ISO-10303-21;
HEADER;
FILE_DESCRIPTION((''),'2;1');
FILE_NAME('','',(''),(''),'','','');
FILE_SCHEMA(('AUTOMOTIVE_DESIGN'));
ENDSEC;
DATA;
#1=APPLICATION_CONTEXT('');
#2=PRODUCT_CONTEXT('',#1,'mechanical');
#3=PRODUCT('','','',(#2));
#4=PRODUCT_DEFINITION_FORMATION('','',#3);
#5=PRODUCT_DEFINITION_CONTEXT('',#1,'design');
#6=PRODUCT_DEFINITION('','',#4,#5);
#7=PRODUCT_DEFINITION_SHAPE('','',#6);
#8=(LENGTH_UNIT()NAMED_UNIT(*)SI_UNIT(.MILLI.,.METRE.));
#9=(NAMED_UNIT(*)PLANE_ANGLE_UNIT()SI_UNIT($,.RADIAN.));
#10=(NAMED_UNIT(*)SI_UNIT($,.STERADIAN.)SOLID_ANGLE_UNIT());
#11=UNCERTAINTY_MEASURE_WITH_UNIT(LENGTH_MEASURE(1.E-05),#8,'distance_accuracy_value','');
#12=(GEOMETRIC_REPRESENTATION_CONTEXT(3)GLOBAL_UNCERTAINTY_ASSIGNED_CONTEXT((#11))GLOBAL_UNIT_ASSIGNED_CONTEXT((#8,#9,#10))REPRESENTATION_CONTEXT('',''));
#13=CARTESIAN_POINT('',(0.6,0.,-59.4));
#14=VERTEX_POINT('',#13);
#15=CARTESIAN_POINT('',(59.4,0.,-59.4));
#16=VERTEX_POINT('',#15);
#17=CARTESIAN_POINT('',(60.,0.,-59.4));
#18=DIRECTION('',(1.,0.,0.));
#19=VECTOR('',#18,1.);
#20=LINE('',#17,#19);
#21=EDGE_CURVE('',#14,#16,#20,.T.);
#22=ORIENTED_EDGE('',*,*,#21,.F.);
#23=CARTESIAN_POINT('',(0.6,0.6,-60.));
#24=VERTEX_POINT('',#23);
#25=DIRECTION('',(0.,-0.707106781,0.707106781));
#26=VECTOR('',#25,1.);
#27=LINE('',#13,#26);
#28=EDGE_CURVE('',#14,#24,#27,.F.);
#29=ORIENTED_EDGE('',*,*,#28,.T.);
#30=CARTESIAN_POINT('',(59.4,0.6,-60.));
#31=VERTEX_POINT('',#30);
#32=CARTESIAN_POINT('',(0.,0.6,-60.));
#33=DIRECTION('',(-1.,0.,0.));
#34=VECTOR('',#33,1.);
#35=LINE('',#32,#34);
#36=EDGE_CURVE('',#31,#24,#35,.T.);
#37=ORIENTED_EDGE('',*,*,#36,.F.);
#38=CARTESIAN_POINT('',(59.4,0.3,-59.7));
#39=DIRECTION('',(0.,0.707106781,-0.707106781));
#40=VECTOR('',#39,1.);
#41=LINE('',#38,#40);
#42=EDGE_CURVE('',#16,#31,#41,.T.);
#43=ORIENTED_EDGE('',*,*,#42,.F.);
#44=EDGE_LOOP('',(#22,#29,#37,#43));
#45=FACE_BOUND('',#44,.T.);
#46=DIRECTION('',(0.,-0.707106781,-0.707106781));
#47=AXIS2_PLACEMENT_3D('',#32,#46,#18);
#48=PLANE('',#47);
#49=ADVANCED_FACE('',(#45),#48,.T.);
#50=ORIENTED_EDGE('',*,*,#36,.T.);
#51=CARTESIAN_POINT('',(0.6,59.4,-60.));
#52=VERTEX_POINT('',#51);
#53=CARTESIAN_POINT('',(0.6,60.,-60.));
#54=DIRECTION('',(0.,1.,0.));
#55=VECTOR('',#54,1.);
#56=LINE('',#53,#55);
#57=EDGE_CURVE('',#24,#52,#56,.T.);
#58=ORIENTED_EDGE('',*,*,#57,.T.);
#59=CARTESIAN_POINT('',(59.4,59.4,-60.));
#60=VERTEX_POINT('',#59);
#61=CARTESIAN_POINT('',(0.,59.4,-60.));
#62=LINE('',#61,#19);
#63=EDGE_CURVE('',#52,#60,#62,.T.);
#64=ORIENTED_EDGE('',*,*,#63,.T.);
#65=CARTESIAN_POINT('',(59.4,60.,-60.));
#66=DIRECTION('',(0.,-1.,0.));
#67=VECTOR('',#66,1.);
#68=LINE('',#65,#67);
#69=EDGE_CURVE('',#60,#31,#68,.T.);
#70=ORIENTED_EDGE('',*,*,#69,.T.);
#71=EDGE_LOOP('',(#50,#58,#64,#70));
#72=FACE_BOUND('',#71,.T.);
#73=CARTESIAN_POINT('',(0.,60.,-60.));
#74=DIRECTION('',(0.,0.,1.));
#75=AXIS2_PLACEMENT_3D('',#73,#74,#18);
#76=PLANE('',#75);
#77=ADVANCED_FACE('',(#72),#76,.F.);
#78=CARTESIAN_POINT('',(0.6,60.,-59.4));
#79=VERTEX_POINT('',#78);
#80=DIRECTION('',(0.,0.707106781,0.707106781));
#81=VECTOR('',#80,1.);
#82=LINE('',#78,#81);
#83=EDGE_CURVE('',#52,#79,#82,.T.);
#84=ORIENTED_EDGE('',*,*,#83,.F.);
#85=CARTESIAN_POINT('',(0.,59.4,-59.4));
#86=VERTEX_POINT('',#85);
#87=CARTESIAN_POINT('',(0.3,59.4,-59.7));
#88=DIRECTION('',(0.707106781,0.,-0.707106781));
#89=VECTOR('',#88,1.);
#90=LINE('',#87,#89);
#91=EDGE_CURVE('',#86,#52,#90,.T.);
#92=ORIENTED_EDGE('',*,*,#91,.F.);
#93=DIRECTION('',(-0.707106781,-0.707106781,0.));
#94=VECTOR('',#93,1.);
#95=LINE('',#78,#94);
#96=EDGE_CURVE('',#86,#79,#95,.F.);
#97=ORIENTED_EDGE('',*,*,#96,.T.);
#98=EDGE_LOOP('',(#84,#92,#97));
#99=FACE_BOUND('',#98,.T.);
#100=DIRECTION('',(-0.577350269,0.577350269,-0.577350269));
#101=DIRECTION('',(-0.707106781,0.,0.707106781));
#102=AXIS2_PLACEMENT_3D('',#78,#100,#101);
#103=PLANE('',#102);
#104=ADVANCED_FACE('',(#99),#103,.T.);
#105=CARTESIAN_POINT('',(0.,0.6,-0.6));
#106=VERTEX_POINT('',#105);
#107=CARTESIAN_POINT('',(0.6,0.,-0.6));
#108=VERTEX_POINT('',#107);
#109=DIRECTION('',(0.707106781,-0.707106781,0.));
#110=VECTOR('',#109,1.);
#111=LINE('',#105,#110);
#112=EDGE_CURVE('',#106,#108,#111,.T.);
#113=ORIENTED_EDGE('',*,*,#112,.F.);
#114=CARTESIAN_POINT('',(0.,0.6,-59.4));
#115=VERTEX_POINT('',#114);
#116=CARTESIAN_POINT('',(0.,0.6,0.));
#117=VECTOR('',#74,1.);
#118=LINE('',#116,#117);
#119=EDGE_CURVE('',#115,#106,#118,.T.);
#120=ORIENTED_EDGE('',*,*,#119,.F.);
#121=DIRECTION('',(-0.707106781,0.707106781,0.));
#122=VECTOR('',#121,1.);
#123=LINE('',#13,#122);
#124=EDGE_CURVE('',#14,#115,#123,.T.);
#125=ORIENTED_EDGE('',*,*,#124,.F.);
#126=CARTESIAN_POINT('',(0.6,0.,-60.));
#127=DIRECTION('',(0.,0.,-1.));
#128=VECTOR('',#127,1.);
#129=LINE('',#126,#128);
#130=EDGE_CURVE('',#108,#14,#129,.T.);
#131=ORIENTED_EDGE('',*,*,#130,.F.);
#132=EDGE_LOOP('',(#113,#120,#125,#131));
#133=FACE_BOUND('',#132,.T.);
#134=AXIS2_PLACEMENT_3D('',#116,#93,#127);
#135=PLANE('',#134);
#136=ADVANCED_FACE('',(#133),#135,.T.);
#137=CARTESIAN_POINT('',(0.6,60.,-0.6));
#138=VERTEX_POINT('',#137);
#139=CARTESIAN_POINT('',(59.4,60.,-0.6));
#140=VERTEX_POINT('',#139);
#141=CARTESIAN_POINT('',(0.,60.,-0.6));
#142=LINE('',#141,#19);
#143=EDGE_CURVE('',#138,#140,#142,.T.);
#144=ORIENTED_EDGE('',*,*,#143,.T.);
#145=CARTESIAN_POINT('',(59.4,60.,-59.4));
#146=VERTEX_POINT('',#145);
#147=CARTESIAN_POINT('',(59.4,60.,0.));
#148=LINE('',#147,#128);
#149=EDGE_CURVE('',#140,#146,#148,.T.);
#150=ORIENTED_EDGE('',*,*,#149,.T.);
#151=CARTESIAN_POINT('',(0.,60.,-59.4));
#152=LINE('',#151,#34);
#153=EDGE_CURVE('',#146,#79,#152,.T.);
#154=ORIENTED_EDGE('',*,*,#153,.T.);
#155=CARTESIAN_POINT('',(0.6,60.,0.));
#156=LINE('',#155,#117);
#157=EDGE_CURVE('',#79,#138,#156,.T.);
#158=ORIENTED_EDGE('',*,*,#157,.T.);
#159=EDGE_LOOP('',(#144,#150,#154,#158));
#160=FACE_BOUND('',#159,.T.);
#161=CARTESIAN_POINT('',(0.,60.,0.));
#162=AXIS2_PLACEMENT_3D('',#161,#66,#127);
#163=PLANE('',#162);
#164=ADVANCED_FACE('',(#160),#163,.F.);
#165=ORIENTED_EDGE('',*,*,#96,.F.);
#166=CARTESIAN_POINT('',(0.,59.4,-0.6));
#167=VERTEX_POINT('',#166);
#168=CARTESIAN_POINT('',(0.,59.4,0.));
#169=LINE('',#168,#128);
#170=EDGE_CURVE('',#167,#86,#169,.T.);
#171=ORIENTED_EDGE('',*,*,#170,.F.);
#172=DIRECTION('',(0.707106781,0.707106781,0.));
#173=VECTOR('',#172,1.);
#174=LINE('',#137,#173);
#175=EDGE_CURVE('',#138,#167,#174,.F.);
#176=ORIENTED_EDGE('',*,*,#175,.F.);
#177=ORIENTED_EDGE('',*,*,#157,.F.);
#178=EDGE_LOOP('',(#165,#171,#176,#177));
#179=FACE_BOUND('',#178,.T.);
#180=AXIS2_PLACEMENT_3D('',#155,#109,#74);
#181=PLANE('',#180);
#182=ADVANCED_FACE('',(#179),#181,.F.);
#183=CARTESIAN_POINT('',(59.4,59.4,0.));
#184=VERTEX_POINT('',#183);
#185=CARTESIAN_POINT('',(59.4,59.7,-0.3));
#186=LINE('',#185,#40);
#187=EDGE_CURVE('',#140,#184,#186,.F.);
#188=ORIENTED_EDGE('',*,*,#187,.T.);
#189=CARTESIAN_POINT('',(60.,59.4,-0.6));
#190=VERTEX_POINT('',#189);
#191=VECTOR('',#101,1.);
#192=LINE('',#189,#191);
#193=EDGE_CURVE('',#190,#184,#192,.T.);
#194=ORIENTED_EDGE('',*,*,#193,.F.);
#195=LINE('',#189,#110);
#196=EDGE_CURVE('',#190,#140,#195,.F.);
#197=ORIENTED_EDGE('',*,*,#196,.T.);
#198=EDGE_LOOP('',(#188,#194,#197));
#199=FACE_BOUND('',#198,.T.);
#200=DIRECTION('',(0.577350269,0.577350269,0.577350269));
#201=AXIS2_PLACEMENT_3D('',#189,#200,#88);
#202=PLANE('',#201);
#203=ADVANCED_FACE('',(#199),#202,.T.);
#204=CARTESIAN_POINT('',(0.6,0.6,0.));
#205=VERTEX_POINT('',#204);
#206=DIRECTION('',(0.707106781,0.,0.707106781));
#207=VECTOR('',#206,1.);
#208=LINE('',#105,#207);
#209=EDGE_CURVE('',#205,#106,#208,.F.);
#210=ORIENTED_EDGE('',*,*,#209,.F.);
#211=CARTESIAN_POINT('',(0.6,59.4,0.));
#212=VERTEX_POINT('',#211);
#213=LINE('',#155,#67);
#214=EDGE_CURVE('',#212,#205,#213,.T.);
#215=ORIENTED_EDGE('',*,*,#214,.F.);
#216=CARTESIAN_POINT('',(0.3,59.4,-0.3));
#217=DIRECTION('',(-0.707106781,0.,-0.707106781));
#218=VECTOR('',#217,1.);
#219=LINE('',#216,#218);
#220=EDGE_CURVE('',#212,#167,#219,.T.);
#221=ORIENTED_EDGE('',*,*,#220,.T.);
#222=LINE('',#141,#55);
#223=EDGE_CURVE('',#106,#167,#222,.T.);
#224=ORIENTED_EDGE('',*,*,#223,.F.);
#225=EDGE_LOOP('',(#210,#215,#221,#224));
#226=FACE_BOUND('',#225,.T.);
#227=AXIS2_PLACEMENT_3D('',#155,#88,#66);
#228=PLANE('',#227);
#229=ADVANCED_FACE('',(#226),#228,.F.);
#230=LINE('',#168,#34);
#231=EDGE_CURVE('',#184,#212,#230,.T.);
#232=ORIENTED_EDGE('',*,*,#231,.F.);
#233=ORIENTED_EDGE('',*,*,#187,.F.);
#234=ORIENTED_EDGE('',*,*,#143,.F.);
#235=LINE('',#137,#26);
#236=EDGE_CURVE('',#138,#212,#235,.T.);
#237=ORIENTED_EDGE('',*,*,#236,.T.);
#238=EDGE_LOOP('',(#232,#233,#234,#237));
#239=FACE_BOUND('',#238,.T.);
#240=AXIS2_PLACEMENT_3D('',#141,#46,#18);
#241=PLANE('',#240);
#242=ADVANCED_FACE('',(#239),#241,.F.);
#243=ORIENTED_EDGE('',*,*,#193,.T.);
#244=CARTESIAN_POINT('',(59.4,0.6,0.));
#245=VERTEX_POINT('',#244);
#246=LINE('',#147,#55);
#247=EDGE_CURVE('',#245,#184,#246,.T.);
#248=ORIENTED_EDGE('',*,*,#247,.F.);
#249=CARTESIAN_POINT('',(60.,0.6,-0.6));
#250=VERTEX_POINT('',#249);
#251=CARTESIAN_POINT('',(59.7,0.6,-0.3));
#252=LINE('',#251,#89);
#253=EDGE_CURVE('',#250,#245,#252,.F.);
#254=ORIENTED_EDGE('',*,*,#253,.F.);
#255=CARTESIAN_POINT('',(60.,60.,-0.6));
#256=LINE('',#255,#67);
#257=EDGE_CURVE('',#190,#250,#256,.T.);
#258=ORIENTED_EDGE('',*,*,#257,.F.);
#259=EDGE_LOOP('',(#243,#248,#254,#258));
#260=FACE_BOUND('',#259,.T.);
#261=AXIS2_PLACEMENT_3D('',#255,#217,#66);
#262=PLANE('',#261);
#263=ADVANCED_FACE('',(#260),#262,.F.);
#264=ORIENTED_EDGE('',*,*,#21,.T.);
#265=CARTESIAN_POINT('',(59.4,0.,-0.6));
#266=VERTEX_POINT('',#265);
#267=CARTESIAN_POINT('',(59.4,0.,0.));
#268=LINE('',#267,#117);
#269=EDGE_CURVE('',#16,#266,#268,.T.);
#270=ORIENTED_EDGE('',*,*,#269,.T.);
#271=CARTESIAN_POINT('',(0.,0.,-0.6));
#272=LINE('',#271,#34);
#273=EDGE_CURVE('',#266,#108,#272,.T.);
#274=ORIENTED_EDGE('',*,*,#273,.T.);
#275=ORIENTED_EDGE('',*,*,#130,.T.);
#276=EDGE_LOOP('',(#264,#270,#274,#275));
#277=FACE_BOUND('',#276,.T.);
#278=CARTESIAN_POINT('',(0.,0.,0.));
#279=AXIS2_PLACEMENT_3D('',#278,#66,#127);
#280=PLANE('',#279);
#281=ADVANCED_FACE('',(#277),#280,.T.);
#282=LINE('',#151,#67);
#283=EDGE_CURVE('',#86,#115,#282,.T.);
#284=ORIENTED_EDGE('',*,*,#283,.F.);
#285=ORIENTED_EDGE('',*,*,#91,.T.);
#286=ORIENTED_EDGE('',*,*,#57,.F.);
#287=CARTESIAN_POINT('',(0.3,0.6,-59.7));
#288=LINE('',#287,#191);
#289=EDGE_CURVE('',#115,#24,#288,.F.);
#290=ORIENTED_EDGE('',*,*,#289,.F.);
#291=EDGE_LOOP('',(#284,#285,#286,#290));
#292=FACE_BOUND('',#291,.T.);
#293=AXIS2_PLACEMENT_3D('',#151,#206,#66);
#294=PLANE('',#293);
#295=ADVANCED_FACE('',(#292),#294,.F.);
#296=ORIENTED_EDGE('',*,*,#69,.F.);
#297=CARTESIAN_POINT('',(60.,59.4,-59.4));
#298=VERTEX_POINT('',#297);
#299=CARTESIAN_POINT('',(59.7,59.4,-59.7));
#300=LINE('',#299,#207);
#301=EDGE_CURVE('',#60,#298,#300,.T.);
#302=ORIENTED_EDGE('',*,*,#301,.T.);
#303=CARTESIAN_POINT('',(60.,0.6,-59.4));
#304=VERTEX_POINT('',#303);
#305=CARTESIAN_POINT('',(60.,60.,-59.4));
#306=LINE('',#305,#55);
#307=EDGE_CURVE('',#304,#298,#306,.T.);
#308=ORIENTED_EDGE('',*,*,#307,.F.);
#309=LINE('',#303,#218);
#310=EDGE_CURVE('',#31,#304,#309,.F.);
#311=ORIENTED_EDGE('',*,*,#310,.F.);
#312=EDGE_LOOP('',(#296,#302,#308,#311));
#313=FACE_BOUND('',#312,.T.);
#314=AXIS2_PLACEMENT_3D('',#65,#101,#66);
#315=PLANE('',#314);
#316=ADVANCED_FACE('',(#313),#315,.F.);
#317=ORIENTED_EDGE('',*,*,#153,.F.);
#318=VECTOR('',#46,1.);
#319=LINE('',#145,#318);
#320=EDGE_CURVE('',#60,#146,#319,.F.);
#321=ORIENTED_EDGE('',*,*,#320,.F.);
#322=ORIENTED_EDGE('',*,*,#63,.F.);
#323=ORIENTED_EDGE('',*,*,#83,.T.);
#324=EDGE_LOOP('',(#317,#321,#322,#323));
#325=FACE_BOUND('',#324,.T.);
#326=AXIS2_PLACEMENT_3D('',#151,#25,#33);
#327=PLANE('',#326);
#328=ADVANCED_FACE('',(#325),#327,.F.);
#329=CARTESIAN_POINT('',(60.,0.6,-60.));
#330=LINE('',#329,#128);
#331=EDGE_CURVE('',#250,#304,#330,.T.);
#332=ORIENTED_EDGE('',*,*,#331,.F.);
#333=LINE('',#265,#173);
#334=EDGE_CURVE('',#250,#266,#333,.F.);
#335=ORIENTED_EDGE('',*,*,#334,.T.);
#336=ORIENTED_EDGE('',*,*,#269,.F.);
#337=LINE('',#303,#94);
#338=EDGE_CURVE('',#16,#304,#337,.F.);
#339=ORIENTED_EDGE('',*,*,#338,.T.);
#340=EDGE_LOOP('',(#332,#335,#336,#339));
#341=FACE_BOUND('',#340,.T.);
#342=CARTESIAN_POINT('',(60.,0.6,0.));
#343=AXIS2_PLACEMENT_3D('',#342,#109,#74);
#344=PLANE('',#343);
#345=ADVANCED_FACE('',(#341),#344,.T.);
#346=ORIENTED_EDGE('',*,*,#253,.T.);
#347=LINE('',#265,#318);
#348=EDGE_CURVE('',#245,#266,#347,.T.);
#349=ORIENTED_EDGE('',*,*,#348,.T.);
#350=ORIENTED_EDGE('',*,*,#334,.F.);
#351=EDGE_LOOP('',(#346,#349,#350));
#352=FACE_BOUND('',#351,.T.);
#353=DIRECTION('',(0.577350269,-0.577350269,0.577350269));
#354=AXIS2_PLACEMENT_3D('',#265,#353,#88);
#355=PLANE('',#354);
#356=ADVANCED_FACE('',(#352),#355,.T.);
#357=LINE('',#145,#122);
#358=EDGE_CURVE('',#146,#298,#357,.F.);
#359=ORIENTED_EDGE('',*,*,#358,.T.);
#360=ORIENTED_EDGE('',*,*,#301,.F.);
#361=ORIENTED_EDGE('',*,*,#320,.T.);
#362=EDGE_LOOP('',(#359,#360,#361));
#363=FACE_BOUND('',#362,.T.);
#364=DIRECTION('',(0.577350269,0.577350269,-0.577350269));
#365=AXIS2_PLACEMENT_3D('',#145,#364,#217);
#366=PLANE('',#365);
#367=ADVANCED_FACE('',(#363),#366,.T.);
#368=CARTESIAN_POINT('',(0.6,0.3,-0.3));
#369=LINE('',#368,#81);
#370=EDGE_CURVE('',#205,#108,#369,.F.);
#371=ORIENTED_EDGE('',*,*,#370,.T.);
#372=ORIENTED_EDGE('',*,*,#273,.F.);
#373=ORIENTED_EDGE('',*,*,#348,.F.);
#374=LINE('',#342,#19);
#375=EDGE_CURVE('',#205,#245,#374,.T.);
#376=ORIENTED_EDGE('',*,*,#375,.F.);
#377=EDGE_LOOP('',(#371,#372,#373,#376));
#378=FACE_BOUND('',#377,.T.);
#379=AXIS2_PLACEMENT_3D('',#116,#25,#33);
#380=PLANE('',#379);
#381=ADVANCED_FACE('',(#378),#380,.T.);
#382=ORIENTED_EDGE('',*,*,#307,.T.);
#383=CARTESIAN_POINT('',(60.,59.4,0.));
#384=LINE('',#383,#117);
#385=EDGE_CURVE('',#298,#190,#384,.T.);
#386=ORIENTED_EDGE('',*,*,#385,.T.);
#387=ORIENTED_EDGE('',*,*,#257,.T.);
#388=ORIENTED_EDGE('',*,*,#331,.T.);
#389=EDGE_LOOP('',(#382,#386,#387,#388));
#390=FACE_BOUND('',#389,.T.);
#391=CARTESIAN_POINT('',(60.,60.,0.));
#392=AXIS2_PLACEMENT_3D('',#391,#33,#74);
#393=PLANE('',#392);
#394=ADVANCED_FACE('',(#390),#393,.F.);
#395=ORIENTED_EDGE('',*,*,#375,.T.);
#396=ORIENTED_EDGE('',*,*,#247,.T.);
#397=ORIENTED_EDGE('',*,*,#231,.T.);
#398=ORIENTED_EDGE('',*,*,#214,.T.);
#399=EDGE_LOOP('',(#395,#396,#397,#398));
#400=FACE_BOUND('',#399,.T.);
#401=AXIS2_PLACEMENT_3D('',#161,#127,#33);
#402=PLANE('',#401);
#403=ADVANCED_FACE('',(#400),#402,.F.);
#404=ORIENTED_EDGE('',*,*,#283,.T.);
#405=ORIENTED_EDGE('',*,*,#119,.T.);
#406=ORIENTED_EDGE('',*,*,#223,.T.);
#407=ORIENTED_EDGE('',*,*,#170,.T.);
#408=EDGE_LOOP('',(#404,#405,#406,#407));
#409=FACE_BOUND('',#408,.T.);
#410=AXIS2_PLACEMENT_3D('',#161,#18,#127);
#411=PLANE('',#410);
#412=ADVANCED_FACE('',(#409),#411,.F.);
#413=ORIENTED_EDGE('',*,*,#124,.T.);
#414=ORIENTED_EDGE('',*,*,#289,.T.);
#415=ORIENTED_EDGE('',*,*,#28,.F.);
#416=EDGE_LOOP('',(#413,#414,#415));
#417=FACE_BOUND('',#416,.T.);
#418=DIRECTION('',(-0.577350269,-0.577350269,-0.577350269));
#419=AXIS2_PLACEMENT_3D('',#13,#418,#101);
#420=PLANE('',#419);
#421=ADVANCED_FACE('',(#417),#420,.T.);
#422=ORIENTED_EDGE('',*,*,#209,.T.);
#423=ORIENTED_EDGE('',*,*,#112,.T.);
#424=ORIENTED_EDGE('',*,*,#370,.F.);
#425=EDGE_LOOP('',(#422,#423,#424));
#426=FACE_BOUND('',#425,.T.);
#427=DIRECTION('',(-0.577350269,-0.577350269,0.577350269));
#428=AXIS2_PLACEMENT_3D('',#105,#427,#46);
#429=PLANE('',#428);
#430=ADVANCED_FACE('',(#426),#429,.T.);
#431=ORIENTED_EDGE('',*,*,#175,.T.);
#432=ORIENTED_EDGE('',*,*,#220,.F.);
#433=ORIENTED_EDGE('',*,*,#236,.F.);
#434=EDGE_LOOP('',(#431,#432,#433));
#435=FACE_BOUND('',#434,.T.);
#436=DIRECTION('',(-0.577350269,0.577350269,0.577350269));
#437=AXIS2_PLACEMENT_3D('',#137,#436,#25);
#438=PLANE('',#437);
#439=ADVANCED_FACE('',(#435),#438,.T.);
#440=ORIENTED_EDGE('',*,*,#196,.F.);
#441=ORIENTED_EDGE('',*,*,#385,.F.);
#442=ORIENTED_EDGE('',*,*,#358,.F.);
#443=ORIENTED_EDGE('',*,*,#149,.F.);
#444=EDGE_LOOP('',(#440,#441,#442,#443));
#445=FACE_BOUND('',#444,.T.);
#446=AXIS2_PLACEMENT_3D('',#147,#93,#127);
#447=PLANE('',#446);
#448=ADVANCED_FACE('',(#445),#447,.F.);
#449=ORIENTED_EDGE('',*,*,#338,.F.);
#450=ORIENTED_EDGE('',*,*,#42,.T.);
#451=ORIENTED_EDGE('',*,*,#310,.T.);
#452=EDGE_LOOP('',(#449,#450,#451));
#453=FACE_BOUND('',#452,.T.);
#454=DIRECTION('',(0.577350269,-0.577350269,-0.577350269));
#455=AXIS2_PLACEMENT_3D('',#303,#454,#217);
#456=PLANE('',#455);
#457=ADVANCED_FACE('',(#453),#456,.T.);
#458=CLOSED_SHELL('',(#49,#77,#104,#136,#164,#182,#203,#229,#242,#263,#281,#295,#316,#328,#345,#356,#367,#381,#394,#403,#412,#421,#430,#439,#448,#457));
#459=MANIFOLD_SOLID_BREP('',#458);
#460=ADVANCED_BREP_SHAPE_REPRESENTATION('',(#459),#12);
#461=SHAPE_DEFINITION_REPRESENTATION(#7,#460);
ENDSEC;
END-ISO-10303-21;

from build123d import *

# Parameters (mm, degrees)
SKETCH1_W           = 60
SKETCH1_H           = 60
BOSS_EXTRUDE1_DEPTH = 60
CHAMFER1_SIZE       = 0.6


with BuildPart() as part:
    # Sketch1 → Boss-Extrude1 (new body)
    with BuildSketch(Plane(origin=(0, 0, 0), x_dir=(1, 0, 0), z_dir=(0, 1, 0))):
        with Locations((30, 30)):
            Rectangle(SKETCH1_W, SKETCH1_H)
    extrude(amount=BOSS_EXTRUDE1_DEPTH)

    # Chamfer1
    chamfer1_edges = [part.edges().sort_by_distance(p)[0] for p in [
        (60, 60, -30),
        (30, 60, -60),
        (0, 60, -30),
        (30, 0, -60),
        (60, 0, -30),
        (30, 0, 0),
        (0, 0, -30),
        (0, 30, -60),
        (60, 30, -60),
        (60, 30, 0),
        (0, 30, 0),
        (30, 60, 0),
    ]]
    chamfer(chamfer1_edges, length=CHAMFER1_SIZE)


solid = part.part
